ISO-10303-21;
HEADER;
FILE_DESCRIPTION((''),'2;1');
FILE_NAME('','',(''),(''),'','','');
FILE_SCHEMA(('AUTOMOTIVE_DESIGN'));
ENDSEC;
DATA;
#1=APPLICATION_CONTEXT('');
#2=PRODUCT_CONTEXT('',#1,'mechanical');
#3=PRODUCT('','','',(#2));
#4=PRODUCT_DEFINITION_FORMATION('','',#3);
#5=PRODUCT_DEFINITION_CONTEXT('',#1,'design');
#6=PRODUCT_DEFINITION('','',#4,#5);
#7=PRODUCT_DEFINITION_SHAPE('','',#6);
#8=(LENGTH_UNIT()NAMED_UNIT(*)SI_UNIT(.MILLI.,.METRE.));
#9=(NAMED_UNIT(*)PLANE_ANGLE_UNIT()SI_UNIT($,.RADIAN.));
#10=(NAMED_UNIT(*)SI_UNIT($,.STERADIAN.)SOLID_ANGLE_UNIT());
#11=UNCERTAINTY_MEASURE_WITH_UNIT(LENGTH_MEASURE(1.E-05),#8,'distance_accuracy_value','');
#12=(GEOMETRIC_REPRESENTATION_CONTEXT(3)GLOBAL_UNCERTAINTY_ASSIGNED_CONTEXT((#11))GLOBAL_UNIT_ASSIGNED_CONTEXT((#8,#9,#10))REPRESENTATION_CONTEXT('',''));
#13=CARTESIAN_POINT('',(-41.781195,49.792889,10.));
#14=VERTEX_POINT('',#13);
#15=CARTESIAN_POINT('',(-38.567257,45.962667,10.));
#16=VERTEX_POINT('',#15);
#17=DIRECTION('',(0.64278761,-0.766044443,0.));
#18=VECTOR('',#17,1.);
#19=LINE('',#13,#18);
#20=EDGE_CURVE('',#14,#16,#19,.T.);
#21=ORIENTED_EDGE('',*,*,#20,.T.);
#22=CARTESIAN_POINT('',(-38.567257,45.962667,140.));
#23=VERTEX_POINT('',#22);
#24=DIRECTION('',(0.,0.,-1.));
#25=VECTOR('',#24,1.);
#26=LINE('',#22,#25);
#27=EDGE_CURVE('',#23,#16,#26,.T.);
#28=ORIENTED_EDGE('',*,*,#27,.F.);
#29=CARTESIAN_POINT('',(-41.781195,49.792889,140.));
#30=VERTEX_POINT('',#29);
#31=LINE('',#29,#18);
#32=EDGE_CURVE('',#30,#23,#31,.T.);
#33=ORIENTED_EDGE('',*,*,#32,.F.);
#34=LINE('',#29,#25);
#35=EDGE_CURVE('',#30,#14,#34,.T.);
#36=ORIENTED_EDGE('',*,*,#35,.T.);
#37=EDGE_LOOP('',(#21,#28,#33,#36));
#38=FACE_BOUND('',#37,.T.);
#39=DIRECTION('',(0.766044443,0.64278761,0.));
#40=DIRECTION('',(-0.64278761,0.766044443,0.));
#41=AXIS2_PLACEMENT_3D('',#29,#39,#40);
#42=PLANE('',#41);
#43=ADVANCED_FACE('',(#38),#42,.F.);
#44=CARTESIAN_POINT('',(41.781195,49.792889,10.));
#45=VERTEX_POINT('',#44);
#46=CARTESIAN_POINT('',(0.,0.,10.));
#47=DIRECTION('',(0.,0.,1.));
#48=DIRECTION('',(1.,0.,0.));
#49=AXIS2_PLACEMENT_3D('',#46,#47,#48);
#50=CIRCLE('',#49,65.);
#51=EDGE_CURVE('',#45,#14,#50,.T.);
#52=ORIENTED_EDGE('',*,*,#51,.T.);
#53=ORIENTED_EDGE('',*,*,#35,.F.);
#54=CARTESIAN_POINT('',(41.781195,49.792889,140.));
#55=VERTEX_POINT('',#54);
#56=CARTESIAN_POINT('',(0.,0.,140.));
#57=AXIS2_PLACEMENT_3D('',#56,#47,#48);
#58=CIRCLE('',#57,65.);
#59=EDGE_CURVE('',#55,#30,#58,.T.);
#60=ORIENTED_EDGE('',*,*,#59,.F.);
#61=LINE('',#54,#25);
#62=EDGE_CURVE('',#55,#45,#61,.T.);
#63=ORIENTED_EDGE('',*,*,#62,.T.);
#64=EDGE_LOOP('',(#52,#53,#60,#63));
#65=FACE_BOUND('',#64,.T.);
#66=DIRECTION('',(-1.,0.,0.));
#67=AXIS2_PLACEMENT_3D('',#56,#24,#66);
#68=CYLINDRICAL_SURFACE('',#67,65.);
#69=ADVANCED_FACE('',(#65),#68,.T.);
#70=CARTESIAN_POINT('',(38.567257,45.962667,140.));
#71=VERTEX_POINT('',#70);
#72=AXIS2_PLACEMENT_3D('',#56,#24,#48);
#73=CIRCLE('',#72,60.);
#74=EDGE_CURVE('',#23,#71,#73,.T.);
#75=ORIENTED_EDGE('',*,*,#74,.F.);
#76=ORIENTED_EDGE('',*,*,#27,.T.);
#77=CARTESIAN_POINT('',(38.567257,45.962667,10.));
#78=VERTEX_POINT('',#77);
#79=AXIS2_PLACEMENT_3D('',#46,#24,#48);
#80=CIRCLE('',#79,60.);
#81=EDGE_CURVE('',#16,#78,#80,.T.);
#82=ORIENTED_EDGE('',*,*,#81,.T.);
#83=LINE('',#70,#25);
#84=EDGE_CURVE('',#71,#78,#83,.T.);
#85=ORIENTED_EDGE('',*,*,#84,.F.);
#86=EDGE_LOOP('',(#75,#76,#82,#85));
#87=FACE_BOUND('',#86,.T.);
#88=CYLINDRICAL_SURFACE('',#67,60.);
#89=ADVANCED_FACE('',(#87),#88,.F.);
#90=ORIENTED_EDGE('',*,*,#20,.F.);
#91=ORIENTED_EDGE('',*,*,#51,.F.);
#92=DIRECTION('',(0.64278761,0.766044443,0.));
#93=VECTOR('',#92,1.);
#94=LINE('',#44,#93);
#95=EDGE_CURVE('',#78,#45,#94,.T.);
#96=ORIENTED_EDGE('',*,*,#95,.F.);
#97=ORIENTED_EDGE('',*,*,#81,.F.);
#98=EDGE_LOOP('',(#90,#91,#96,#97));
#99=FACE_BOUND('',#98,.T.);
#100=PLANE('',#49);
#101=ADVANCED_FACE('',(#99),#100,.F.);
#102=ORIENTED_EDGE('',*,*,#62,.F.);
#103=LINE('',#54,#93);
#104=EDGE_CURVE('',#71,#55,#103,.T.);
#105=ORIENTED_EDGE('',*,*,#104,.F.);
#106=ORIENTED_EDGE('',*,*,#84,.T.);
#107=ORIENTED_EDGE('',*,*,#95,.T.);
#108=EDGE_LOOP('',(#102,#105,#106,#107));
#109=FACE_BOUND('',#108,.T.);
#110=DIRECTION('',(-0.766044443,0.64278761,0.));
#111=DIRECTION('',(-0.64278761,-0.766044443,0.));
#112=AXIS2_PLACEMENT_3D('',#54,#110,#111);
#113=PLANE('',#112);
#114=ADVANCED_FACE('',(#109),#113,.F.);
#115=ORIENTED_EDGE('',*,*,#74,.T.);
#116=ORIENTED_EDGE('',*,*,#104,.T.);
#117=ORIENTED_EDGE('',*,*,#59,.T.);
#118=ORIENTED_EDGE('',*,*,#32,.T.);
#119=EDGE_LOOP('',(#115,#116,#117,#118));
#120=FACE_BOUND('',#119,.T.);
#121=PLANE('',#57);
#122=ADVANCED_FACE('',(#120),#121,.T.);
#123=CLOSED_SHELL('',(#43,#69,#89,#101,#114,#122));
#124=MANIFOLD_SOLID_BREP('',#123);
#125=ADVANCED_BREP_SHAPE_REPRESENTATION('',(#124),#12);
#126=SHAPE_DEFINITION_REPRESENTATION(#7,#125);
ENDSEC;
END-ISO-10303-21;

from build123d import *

# Parameters (mm, degrees)
BOSS_EXTRUDE1_DEPTH = 10
BOSS_EXTRUDE2_DEPTH = 130
CUT_EXTRUDE1_DEPTH  = 130


with BuildPart() as part:
    # Sketch1 → Boss-Extrude1 (new, symmetric)
    with BuildSketch(Plane.XY):
        with BuildLine():
            Line((38.567256581, 45.962666587), (25.711504387, 30.641777725))
            ThreePointArc((25.711504387, 30.641777725), (0, 40), (-25.711504387, 30.641777725))
            Line((-25.711504387, 30.641777725), (-38.567256581, 45.962666587))
            ThreePointArc((-38.567256581, 45.962666587), (0, 60), (38.567256581, 45.962666587))
        make_face()
    extrude(amount=BOSS_EXTRUDE1_DEPTH, both=True)

    # Sketch4 → Cut-Extrude1 (cut)
    with BuildSketch(Plane.XY.offset(10)):
        with BuildLine():
            Line((-38.567256581, 45.962666587), (-25.711504387, 30.641777725))
            ThreePointArc((-25.711504387, 30.641777725), (0, 40), (25.711504387, 30.641777725))
            Line((25.711504387, 30.641777725), (38.567256581, 45.962666587))
            ThreePointArc((38.567256581, 45.962666587), (0, 60), (-38.567256581, 45.962666587))
        make_face()
    extrude(amount=-CUT_EXTRUDE1_DEPTH, mode=Mode.SUBTRACT)


with BuildPart() as body_2:
    # Sketch3 → Boss-Extrude2 (new body)
    with BuildSketch(Plane.XY.offset(10)):
        with BuildLine():
            Line((-41.78119463, 49.792888803), (-38.567256581, 45.962666587))
            ThreePointArc((-38.567256581, 45.962666587), (0, 60), (38.567256581, 45.962666587))
            Line((38.567256581, 45.962666587), (41.78119463, 49.792888803))
            ThreePointArc((41.78119463, 49.792888803), (0, 65), (-41.78119463, 49.792888803))
        make_face()
    extrude(amount=BOSS_EXTRUDE2_DEPTH)


solid = body_2.part
